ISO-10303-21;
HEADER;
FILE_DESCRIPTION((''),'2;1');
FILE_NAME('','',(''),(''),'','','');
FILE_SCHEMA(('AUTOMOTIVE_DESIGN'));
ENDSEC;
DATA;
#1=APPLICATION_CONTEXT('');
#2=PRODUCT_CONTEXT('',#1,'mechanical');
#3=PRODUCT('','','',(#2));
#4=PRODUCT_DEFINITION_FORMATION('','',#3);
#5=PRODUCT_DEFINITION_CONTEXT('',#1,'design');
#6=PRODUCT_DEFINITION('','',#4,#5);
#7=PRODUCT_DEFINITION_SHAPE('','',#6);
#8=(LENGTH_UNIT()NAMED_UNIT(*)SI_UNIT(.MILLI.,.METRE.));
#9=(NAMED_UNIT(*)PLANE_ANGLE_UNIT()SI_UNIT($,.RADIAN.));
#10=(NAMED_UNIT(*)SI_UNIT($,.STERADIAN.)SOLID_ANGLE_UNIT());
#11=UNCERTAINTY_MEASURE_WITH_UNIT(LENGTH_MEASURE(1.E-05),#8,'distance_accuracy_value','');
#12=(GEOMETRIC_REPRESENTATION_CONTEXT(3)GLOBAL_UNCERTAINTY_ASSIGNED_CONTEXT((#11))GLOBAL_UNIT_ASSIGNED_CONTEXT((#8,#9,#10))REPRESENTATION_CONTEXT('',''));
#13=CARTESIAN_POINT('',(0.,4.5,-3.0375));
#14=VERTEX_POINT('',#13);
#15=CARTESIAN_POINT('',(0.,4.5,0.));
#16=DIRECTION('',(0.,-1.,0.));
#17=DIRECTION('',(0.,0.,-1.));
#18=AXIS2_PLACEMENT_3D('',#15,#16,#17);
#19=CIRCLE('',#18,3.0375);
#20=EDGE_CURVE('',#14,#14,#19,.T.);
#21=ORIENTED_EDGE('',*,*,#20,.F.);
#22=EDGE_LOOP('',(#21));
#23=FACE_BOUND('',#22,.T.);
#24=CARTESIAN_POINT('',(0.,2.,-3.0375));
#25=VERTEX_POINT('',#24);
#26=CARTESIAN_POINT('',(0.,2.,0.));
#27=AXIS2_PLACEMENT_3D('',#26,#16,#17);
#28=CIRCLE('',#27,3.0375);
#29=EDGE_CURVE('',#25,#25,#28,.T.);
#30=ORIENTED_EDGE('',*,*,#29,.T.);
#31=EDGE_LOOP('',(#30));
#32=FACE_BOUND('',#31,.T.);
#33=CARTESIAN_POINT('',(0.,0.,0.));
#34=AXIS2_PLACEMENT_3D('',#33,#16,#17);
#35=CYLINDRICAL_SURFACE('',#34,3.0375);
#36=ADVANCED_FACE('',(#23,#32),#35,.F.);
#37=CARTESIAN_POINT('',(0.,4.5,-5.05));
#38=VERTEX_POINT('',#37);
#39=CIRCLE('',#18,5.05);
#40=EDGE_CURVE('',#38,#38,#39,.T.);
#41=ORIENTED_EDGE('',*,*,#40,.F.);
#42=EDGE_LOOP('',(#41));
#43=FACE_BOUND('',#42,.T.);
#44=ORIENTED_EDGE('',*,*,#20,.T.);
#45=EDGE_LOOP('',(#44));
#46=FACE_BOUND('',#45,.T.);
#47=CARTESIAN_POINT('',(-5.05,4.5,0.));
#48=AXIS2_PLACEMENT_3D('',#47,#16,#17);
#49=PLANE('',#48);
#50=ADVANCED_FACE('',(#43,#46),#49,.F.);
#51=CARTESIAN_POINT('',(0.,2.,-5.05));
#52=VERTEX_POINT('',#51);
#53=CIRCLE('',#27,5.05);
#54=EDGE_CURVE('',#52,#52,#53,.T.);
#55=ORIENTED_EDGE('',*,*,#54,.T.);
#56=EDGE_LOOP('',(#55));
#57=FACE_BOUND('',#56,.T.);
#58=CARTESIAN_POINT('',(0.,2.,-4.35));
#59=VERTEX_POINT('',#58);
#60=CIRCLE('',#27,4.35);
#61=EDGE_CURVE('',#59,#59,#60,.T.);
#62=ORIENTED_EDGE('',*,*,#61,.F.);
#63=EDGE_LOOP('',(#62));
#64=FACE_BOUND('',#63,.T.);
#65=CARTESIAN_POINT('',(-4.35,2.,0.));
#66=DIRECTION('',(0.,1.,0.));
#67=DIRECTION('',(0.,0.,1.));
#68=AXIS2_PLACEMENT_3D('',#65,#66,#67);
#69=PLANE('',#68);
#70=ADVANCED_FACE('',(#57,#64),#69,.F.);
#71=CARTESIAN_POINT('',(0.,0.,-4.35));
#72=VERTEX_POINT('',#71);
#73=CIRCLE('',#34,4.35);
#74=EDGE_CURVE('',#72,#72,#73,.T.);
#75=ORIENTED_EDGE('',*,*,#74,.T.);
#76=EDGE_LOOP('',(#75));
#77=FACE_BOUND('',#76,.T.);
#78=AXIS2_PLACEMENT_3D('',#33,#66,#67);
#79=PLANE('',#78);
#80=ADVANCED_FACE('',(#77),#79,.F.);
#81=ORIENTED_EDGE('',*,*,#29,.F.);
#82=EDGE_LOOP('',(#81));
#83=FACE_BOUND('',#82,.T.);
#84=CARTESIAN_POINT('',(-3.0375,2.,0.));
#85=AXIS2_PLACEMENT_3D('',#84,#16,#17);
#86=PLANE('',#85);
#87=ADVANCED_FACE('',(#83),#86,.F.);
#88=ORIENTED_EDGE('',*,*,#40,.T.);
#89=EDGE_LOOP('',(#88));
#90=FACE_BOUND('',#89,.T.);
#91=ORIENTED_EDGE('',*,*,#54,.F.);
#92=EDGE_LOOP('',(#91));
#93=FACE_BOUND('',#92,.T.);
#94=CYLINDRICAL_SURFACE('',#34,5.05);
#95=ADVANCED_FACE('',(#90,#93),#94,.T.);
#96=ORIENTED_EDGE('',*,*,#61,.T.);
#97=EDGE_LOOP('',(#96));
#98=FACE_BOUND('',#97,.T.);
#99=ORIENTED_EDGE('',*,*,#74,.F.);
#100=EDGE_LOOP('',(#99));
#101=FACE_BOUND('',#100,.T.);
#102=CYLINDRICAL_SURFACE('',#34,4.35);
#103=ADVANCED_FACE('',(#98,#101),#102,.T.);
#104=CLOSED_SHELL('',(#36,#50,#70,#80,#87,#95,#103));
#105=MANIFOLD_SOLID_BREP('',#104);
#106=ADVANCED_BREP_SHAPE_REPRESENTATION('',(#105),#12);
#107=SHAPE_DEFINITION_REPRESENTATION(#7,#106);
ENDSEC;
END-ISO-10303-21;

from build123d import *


with BuildPart() as part:
    # Sketch1 → Revolve1 (revolve)
    with BuildSketch(Plane.XY, mode=Mode.PRIVATE) as revolve1_sk:
        Polygon((0, 0), (-4.35, 0), (-4.35, 2), (-5.05, 2), (-5.05, 4.5), (-3.0375, 4.5), (-3.0375, 2), (0, 2), align=None)
    revolve(revolve1_sk.sketch.rotate(Axis((0, 0, 0), (0, 1, 0)), 270), axis=Axis((0, 0, 0), (0, 1, 0)))


solid = part.part
